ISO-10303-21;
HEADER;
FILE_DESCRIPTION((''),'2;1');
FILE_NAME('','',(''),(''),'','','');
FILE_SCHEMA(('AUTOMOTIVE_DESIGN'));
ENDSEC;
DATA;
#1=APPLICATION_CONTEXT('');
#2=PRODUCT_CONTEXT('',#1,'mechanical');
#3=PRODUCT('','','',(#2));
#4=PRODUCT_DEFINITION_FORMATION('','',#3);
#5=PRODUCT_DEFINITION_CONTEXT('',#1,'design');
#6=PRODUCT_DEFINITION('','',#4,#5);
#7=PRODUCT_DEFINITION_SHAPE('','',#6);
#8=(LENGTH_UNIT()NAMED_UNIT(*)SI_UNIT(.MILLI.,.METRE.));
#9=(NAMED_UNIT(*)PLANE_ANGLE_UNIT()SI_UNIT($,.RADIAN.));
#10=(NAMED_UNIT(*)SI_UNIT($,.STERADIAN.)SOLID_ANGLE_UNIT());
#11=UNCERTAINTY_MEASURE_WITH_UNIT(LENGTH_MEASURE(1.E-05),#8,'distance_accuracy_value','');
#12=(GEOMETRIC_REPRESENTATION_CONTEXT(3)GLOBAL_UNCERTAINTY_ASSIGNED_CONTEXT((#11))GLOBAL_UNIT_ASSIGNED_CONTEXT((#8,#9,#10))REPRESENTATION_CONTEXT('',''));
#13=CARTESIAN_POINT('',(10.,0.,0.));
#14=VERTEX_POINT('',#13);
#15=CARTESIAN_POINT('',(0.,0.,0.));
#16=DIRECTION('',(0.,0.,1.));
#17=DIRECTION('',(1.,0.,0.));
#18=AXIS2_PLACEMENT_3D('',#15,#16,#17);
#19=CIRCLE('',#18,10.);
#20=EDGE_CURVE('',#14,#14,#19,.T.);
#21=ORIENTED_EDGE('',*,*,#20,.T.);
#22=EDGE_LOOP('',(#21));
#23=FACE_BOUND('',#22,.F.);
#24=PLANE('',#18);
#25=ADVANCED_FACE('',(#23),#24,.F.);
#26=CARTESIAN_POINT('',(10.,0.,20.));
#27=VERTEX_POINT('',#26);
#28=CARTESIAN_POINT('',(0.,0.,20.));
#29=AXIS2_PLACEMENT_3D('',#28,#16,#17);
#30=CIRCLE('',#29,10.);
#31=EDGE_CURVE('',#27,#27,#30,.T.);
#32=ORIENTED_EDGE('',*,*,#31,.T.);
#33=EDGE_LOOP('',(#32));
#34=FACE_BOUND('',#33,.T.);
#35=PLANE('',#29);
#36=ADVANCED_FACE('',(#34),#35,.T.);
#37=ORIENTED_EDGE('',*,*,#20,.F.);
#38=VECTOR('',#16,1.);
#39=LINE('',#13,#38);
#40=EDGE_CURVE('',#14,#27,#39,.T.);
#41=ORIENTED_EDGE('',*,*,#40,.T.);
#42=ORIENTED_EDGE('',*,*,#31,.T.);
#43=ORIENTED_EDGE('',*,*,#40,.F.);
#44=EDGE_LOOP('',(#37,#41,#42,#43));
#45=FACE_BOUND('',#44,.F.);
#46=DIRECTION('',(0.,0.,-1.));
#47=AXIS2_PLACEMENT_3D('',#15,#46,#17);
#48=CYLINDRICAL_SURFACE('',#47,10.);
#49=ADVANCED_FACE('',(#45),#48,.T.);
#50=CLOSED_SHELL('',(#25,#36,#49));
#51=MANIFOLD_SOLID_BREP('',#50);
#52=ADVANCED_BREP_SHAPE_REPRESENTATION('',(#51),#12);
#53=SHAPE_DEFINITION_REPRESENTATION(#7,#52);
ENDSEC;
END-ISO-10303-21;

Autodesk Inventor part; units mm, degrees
ref_plane "YZ Plane" through (0, 0, 0) normal (1, 0, 0) x (0, 1, 0)
ref_plane "XZ Plane" through (0, 0, 0) normal (0, 1, 0) x (-1, 0, 0)
ref_plane "XY Plane" through (0, 0, 0) normal (0, 0, 1) x (1, 0, 0)
sketch "Sketch1" plane through (0, 0, 0) normal (0, 0, 1) x (1, 0, 0)
  circle A0 centre (0, 0) radius 10
  dimension "d0" = 20
extrude "Extrusion1" add sketch "Sketch1" along normal blind 20
ref_plane "Work Plane1" through (0, 0, 10) normal (0, 0, 1) x (1, 0, 0)
properties part number "PasadorPivotePreliminar"
